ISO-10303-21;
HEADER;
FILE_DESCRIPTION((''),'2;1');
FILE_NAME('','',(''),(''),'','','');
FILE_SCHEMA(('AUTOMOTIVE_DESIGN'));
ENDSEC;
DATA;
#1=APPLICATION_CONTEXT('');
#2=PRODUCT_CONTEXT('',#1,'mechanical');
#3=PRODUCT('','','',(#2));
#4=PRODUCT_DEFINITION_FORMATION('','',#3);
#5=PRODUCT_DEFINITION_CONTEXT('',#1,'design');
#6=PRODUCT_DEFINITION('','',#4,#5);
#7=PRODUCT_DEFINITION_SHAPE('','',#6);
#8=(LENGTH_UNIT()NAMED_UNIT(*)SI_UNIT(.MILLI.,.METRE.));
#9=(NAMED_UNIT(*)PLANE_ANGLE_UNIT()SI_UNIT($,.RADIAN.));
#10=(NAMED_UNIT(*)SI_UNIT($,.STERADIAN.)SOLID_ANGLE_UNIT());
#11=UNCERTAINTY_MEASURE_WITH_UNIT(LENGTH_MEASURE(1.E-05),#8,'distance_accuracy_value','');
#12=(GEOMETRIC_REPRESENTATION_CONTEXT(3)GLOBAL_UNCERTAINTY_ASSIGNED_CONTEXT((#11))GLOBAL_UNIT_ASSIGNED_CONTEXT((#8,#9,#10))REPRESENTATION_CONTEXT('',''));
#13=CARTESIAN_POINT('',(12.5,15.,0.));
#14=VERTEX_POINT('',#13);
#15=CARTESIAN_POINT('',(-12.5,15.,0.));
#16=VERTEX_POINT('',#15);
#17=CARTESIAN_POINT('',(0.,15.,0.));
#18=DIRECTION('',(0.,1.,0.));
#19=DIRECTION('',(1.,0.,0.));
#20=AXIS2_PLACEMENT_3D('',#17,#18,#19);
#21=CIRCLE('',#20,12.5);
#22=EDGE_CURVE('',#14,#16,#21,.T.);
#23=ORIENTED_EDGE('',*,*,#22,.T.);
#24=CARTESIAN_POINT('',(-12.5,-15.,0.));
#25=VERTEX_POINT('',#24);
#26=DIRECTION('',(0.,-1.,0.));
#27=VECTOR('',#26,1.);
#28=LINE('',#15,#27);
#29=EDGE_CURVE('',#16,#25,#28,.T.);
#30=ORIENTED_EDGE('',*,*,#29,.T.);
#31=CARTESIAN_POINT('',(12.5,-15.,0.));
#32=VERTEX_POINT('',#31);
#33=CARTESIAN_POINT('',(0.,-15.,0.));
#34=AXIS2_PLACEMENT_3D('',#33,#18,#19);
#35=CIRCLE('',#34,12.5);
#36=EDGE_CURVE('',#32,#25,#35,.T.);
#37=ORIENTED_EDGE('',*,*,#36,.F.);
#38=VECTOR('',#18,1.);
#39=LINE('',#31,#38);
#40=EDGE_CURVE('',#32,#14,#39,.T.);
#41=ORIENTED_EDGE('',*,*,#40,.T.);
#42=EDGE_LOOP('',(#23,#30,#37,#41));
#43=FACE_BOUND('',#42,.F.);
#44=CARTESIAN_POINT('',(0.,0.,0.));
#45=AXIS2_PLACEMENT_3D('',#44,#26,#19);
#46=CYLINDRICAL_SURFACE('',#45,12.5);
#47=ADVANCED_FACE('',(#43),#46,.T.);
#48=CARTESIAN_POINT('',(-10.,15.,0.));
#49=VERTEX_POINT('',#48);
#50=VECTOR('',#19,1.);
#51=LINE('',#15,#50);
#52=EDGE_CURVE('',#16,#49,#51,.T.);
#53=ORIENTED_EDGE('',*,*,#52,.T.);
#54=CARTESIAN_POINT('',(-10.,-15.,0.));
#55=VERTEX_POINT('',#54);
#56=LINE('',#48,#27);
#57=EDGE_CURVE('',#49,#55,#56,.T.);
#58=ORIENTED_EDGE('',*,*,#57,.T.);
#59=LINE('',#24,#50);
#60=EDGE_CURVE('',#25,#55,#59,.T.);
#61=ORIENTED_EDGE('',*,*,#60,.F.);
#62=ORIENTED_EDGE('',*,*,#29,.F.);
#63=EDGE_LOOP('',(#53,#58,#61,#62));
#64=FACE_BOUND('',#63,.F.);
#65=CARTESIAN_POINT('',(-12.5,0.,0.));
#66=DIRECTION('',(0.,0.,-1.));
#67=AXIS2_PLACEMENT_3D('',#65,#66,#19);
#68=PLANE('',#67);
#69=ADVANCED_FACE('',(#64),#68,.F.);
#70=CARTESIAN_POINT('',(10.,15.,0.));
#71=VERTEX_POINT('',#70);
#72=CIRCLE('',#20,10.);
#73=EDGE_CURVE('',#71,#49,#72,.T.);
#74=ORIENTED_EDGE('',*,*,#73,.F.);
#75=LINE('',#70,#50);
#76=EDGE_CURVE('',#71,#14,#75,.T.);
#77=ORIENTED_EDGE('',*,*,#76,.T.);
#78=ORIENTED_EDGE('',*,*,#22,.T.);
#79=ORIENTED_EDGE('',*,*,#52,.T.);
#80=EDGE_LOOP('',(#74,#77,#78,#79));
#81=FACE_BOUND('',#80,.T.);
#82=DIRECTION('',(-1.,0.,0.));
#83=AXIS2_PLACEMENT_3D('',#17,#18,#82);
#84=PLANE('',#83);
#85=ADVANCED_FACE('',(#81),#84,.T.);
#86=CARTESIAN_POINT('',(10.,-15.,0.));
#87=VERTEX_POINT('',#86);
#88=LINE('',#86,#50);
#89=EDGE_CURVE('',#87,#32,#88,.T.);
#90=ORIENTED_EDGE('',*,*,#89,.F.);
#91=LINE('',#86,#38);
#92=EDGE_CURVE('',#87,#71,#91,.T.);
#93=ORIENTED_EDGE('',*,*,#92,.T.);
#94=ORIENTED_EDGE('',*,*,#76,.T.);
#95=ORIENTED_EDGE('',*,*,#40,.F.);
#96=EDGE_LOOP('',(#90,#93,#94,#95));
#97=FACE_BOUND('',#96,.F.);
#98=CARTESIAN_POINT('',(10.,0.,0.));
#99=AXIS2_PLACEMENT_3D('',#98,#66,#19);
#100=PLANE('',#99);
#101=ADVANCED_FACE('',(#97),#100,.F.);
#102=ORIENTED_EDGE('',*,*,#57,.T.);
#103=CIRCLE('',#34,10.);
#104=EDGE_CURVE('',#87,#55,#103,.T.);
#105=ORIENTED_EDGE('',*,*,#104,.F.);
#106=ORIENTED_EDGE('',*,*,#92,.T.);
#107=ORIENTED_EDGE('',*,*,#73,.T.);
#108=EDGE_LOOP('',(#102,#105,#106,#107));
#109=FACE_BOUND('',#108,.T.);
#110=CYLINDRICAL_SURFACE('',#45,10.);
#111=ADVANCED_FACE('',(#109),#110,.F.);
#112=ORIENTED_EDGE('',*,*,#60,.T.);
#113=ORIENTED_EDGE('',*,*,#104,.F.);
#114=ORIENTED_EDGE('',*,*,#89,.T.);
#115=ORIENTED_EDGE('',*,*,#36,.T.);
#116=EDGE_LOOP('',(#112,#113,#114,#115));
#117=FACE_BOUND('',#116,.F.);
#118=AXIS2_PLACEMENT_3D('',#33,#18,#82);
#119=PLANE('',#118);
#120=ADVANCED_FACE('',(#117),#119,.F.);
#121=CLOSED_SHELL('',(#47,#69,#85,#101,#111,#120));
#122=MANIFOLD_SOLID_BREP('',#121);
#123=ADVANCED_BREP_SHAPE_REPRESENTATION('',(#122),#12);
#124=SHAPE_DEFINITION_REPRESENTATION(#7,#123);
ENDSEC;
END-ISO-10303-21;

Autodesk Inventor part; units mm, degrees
ref_plane "YZ Plane" through (0, 0, 0) normal (1, 0, 0) x (0, 1, 0)
ref_plane "XZ Plane" through (0, 0, 0) normal (0, 1, 0) x (-1, 0, 0)
ref_plane "XY Plane" through (0, 0, 0) normal (0, 0, 1) x (1, 0, 0)
sketch "Sketch1" plane through (0, 0, 0) normal (0, 1, 0) x (-1, 0, 0)
  arc A0 (-10, 0) -> (10, 0) centre (0, 0) ccw
  arc A1 (-12.5, 0) -> (12.5, 0) centre (0, 0) ccw
  line L0 (12.5, 0) -> (10, 0)
  line L1 (-10, 0) -> (-12.5, 0)
  line L2 (10, 0) -> (-10, 0)
  dimension "d0" = 20
  dimension "d1" = 25
extrude "Extrusion1" add sketch "Sketch1" along normal mid plane 30 contours A0 L0 A1 L1
properties part number "Panewka wałka rozrzadu srodek"
